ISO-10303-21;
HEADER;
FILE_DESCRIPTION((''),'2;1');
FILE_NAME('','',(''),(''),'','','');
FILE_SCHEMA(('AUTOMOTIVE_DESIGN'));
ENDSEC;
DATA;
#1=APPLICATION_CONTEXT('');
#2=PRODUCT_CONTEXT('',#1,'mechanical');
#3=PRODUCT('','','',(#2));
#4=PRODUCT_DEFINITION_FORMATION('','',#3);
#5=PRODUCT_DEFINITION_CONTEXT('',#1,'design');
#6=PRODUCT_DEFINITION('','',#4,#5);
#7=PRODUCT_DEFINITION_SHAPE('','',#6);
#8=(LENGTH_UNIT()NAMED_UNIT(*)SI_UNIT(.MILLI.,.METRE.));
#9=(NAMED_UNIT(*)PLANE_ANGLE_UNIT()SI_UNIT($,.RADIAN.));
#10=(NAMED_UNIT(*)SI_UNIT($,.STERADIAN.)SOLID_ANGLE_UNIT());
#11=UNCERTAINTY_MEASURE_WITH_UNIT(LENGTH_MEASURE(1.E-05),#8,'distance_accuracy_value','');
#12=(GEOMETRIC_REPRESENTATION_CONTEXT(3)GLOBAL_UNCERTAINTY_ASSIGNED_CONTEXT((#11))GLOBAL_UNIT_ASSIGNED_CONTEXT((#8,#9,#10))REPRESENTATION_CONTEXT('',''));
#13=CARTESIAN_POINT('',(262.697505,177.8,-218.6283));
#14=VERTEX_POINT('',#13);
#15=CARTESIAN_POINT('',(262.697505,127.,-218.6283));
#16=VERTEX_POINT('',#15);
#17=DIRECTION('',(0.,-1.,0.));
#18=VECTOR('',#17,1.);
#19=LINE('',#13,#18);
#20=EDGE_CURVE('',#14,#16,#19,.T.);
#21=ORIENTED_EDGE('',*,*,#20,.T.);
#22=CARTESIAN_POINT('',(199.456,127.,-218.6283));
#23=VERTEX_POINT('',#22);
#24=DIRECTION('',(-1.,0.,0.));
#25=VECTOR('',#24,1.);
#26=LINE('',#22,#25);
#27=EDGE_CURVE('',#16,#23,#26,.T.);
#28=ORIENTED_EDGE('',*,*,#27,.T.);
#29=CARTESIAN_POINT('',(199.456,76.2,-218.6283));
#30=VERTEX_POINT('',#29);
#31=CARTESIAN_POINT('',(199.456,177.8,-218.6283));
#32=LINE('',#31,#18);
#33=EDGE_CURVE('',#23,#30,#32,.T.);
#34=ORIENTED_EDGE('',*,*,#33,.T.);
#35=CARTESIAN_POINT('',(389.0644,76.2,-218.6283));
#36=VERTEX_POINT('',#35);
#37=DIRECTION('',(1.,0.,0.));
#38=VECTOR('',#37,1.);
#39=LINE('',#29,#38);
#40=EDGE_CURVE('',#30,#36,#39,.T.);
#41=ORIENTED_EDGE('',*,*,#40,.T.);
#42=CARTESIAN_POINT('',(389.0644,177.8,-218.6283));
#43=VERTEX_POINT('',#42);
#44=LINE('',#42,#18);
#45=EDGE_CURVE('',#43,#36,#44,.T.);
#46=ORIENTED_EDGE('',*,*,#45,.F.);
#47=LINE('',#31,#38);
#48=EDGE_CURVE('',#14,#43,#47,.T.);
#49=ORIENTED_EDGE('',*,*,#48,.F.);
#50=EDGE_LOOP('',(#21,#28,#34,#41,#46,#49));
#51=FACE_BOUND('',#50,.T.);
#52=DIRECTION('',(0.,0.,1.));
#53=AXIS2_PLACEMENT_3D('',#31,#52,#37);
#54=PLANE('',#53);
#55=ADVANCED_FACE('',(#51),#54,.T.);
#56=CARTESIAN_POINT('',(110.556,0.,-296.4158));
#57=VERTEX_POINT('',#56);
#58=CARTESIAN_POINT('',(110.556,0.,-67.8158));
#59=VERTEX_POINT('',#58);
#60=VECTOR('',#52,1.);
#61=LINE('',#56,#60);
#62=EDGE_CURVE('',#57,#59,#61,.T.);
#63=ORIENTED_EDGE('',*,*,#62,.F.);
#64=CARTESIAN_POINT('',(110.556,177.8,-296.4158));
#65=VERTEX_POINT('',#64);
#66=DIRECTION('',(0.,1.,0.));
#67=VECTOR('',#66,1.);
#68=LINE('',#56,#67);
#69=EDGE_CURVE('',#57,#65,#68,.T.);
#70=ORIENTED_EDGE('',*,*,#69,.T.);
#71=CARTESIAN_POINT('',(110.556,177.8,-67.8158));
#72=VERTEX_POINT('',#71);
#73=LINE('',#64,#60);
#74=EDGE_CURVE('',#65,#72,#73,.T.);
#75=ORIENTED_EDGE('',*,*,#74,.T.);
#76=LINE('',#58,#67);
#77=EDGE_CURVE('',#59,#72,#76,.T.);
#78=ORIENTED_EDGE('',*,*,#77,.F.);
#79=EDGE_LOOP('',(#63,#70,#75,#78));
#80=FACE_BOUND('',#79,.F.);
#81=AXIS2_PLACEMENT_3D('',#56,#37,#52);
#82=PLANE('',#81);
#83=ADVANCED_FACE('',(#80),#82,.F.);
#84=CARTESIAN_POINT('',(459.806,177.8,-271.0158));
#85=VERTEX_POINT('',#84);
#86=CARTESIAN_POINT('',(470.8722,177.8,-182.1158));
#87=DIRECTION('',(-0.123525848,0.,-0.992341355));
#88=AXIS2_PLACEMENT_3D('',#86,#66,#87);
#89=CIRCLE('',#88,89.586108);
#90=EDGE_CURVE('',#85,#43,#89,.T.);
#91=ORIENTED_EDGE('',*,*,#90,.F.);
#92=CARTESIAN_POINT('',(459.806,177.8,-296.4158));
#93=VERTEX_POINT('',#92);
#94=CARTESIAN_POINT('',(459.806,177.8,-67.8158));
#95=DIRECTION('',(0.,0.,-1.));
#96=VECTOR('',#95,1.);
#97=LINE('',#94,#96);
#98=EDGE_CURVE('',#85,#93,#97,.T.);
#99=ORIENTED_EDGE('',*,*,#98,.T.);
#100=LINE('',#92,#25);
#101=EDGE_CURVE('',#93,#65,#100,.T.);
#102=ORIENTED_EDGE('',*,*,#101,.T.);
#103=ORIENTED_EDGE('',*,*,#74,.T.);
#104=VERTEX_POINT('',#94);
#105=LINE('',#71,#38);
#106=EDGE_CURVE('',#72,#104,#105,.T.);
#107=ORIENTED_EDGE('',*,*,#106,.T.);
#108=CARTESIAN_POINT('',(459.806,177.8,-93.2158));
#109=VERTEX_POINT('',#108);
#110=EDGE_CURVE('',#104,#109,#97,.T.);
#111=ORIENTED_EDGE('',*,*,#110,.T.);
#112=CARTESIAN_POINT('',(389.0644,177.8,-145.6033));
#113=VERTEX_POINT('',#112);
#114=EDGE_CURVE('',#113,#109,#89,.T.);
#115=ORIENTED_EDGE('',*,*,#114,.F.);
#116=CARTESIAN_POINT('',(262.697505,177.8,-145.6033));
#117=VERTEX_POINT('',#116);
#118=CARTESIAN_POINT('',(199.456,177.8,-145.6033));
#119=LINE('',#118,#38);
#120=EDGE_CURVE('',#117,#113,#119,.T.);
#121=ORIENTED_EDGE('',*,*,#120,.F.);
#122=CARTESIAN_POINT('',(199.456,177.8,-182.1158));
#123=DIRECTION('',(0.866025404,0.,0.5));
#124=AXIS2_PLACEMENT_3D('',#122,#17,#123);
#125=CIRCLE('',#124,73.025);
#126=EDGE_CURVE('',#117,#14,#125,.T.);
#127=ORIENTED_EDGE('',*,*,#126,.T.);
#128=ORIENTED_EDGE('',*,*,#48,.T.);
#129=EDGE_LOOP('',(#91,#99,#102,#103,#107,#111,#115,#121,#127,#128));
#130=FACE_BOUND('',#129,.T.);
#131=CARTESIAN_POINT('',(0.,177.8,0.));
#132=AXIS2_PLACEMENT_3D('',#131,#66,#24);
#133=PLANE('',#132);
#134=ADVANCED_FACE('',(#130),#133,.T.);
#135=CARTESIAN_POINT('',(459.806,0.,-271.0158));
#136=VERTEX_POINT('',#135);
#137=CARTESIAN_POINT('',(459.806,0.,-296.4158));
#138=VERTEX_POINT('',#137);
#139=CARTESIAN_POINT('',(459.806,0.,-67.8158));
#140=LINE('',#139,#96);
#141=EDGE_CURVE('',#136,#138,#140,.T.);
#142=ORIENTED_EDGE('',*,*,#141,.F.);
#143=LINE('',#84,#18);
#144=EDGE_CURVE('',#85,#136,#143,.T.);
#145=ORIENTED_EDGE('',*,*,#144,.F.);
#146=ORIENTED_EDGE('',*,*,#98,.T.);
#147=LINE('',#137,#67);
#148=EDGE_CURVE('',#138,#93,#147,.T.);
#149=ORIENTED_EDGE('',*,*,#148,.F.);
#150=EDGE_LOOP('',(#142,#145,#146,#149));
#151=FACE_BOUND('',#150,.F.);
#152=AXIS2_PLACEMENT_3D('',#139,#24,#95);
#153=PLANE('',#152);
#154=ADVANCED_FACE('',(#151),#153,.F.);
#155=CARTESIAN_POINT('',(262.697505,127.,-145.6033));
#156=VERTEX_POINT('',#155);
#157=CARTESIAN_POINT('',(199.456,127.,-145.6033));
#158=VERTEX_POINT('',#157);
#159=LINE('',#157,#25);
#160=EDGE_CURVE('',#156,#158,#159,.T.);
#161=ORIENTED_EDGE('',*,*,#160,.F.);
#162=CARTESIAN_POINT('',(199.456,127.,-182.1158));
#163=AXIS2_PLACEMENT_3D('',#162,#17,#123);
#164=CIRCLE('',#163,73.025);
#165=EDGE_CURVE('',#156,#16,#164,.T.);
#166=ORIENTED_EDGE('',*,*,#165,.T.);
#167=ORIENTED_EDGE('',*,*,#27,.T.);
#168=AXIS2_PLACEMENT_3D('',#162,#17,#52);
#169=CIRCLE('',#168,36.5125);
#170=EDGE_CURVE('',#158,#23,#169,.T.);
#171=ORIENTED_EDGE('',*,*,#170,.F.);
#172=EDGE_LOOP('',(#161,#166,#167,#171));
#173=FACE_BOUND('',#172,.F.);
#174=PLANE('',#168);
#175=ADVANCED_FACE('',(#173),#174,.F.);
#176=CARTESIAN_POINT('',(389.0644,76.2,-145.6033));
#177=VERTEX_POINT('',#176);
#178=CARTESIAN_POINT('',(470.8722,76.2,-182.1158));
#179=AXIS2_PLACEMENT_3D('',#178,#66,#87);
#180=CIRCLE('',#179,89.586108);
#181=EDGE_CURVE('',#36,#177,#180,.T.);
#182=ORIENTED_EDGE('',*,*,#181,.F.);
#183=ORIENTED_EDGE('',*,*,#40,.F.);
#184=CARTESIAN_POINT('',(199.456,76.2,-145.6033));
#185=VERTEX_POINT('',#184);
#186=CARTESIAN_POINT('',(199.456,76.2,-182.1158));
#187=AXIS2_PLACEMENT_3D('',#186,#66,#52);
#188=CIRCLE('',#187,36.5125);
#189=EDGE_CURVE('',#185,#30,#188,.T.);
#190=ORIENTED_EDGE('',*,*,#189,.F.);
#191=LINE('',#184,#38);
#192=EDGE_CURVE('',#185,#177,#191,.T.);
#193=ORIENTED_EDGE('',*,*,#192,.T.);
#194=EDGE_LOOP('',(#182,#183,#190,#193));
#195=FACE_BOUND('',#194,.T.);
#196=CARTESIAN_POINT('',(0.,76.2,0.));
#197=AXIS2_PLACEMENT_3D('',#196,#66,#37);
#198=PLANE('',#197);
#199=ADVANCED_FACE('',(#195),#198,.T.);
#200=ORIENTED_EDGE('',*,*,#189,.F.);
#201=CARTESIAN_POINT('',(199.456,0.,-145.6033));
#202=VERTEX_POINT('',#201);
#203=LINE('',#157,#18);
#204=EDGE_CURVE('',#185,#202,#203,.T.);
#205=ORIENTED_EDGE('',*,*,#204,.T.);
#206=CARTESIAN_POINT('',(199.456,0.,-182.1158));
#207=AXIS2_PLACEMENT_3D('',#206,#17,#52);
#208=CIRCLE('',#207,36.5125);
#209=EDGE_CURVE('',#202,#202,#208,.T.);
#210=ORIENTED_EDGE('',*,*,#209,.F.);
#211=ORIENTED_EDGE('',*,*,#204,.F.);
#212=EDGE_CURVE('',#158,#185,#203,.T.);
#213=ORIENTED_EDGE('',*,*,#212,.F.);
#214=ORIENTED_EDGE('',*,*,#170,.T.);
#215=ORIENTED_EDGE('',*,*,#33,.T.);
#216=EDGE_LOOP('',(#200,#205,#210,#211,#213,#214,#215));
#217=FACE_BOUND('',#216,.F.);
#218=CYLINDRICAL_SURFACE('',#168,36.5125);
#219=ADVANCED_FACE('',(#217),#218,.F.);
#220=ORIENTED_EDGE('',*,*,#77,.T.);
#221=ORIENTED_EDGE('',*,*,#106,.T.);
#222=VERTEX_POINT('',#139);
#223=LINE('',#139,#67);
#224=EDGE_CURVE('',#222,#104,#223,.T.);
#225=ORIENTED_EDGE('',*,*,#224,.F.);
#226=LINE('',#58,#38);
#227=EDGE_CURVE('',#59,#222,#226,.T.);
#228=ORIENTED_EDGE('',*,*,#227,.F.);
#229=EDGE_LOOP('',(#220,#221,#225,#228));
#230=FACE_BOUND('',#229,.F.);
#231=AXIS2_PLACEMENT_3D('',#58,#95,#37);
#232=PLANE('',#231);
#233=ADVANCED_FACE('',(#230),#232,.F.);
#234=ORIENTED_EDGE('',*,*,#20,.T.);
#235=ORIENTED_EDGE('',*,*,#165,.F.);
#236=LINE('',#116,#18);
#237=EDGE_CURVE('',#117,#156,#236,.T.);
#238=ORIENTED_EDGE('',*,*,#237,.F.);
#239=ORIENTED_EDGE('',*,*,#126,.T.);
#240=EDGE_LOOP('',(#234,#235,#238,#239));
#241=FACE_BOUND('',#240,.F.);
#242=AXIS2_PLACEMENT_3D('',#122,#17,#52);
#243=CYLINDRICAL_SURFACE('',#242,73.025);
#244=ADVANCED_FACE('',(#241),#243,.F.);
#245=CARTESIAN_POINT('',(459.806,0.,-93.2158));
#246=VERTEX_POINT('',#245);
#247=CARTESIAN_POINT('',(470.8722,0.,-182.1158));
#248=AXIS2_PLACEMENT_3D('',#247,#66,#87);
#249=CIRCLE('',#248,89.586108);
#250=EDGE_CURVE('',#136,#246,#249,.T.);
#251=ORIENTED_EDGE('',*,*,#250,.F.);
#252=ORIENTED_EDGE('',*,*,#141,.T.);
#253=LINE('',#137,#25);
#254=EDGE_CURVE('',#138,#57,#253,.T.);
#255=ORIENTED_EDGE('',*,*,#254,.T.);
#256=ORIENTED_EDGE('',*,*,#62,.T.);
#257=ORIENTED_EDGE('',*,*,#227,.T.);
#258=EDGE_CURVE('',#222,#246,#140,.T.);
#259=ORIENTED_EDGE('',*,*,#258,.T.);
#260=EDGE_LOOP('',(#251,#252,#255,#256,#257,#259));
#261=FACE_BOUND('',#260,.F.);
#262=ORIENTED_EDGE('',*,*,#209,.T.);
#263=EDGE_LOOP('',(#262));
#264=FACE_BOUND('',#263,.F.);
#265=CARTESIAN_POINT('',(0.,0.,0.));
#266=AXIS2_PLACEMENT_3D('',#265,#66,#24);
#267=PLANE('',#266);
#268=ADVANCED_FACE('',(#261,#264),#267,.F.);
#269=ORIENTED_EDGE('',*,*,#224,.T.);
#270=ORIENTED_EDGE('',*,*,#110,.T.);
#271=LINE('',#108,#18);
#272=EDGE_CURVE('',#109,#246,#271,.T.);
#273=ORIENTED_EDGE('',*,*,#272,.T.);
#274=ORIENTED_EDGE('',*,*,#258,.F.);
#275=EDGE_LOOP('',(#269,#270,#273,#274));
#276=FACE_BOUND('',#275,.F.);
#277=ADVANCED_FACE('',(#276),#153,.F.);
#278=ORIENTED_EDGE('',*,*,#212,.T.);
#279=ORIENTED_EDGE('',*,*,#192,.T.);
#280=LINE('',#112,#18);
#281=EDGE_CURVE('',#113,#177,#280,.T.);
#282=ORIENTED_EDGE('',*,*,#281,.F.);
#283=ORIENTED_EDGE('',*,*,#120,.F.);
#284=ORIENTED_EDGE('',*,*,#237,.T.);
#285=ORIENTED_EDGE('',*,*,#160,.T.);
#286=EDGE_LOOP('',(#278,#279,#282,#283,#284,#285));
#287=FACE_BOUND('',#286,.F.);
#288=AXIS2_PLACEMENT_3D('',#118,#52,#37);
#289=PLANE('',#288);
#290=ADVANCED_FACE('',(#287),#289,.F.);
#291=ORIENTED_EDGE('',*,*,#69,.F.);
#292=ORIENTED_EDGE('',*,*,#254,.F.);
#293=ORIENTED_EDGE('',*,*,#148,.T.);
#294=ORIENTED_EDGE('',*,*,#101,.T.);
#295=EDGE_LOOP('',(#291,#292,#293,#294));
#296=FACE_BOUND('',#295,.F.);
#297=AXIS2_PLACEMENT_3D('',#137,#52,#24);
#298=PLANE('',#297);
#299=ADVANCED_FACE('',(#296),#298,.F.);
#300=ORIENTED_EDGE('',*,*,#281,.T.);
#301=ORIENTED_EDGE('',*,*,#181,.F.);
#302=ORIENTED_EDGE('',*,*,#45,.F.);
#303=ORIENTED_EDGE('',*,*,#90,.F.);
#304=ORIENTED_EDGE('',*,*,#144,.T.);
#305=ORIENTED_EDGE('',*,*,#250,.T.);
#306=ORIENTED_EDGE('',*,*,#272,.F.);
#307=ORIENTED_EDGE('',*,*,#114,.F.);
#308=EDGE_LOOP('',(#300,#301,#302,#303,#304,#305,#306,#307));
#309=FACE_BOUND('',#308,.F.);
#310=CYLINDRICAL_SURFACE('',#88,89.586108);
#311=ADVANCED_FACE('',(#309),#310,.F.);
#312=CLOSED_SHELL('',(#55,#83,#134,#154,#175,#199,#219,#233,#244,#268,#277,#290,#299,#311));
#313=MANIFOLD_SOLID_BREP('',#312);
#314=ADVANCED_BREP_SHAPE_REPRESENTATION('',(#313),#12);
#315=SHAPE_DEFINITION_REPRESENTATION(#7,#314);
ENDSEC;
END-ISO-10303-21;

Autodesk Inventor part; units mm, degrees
ref_plane "YZ Plane" through (0, 0, 0) normal (1, 0, 0) x (0, 1, 0)
ref_plane "XZ Plane" through (0, 0, 0) normal (0, 1, 0) x (-1, 0, 0)
ref_plane "XY Plane" through (0, 0, 0) normal (0, 0, 1) x (1, 0, 0)
sketch "Sketch1" plane through (0, 0, 0) normal (0, 1, 0) x (-1, 0, 0)
  line L0 (-110.556, -67.8158) -> (-459.806, -67.8158)
  line L1 (-459.806, -67.8158) -> (-459.806, -296.4158)
  line L2 (-459.806, -296.4158) -> (-110.556, -296.4158)
  line L3 (-110.556, -296.4158) -> (-110.556, -67.8158)
  point P0 (0, 0)
  dimension "d0" = 349.25
  dimension "d1" = 228.6
extrude "Extrusion2" add sketch "Sketch1" along normal blind 177.8
sketch "Sketch2" plane through (0, 177.8, 0) normal (0, 1, 0) x (1, 0, 0)
  arc A0 (459.806, 271.0158) -> (459.806, 93.2158) centre (470.8722, 182.1158) ccw
  line L0 (459.806, 271.0158) -> (459.806, 93.2158)
  line L1 (459.806, 67.8158) -> (459.806, 296.4158) projected
  point P0 (0, 0)
extrude "Extrusion3" cut sketch "Sketch2" against normal through all
sketch "Sketch3" plane through (0, 177.8, 0) normal (0, 1, 0) x (1, 0, 0)
  line L0 (110.556, 296.4158) -> (110.556, 67.8158) projected
  line L1 (459.806, 296.4158) -> (110.556, 296.4158) projected
  point P0 (0, 0)
  point P1 (199.456, 182.1158)
hole "Hole3" at (199.456, 177.8, -182.1158) direction (0, -1, 0) diameter 146.05 depth 50.8
sketch "Sketch4" plane through (199.456, 127, -182.1158) normal (0, 1, 0) x (1, 0, 0)
  point P0 (-199.456, -182.1158)
  point P1 (0, 0)
hole "Hole5" at (199.456, 127, -182.1158) direction (0, -1, 0) diameter 73.025 end through all
sketch "Sketch5" plane through (0, 177.8, 0) normal (0, 1, 0) x (1, 0, 0)
  circle A0 centre (199.456, 182.1158) radius 36.5125 projected
  line L0 (199.456, 218.6283) -> (389.0644, 218.6283)
  arc A1 (459.806, 271.0158) -> (459.806, 93.2158) centre (470.8722, 182.1158) ccw projected
  line L1 (199.456, 145.6033) -> (389.0644, 145.6033)
  arc A2 (199.456, 145.6033) -> (199.456, 218.6283) centre (199.456, 182.1158) ccw
  arc A3 (389.0644, 218.6283) -> (389.0644, 145.6033) centre (470.8722, 182.1158) ccw
  point P0 (0, 0)
extrude "Extrusion5" cut sketch "Sketch5" against normal blind 101.6 contours A0 L0 A1 L1
properties part number "7.2 Part 2"
